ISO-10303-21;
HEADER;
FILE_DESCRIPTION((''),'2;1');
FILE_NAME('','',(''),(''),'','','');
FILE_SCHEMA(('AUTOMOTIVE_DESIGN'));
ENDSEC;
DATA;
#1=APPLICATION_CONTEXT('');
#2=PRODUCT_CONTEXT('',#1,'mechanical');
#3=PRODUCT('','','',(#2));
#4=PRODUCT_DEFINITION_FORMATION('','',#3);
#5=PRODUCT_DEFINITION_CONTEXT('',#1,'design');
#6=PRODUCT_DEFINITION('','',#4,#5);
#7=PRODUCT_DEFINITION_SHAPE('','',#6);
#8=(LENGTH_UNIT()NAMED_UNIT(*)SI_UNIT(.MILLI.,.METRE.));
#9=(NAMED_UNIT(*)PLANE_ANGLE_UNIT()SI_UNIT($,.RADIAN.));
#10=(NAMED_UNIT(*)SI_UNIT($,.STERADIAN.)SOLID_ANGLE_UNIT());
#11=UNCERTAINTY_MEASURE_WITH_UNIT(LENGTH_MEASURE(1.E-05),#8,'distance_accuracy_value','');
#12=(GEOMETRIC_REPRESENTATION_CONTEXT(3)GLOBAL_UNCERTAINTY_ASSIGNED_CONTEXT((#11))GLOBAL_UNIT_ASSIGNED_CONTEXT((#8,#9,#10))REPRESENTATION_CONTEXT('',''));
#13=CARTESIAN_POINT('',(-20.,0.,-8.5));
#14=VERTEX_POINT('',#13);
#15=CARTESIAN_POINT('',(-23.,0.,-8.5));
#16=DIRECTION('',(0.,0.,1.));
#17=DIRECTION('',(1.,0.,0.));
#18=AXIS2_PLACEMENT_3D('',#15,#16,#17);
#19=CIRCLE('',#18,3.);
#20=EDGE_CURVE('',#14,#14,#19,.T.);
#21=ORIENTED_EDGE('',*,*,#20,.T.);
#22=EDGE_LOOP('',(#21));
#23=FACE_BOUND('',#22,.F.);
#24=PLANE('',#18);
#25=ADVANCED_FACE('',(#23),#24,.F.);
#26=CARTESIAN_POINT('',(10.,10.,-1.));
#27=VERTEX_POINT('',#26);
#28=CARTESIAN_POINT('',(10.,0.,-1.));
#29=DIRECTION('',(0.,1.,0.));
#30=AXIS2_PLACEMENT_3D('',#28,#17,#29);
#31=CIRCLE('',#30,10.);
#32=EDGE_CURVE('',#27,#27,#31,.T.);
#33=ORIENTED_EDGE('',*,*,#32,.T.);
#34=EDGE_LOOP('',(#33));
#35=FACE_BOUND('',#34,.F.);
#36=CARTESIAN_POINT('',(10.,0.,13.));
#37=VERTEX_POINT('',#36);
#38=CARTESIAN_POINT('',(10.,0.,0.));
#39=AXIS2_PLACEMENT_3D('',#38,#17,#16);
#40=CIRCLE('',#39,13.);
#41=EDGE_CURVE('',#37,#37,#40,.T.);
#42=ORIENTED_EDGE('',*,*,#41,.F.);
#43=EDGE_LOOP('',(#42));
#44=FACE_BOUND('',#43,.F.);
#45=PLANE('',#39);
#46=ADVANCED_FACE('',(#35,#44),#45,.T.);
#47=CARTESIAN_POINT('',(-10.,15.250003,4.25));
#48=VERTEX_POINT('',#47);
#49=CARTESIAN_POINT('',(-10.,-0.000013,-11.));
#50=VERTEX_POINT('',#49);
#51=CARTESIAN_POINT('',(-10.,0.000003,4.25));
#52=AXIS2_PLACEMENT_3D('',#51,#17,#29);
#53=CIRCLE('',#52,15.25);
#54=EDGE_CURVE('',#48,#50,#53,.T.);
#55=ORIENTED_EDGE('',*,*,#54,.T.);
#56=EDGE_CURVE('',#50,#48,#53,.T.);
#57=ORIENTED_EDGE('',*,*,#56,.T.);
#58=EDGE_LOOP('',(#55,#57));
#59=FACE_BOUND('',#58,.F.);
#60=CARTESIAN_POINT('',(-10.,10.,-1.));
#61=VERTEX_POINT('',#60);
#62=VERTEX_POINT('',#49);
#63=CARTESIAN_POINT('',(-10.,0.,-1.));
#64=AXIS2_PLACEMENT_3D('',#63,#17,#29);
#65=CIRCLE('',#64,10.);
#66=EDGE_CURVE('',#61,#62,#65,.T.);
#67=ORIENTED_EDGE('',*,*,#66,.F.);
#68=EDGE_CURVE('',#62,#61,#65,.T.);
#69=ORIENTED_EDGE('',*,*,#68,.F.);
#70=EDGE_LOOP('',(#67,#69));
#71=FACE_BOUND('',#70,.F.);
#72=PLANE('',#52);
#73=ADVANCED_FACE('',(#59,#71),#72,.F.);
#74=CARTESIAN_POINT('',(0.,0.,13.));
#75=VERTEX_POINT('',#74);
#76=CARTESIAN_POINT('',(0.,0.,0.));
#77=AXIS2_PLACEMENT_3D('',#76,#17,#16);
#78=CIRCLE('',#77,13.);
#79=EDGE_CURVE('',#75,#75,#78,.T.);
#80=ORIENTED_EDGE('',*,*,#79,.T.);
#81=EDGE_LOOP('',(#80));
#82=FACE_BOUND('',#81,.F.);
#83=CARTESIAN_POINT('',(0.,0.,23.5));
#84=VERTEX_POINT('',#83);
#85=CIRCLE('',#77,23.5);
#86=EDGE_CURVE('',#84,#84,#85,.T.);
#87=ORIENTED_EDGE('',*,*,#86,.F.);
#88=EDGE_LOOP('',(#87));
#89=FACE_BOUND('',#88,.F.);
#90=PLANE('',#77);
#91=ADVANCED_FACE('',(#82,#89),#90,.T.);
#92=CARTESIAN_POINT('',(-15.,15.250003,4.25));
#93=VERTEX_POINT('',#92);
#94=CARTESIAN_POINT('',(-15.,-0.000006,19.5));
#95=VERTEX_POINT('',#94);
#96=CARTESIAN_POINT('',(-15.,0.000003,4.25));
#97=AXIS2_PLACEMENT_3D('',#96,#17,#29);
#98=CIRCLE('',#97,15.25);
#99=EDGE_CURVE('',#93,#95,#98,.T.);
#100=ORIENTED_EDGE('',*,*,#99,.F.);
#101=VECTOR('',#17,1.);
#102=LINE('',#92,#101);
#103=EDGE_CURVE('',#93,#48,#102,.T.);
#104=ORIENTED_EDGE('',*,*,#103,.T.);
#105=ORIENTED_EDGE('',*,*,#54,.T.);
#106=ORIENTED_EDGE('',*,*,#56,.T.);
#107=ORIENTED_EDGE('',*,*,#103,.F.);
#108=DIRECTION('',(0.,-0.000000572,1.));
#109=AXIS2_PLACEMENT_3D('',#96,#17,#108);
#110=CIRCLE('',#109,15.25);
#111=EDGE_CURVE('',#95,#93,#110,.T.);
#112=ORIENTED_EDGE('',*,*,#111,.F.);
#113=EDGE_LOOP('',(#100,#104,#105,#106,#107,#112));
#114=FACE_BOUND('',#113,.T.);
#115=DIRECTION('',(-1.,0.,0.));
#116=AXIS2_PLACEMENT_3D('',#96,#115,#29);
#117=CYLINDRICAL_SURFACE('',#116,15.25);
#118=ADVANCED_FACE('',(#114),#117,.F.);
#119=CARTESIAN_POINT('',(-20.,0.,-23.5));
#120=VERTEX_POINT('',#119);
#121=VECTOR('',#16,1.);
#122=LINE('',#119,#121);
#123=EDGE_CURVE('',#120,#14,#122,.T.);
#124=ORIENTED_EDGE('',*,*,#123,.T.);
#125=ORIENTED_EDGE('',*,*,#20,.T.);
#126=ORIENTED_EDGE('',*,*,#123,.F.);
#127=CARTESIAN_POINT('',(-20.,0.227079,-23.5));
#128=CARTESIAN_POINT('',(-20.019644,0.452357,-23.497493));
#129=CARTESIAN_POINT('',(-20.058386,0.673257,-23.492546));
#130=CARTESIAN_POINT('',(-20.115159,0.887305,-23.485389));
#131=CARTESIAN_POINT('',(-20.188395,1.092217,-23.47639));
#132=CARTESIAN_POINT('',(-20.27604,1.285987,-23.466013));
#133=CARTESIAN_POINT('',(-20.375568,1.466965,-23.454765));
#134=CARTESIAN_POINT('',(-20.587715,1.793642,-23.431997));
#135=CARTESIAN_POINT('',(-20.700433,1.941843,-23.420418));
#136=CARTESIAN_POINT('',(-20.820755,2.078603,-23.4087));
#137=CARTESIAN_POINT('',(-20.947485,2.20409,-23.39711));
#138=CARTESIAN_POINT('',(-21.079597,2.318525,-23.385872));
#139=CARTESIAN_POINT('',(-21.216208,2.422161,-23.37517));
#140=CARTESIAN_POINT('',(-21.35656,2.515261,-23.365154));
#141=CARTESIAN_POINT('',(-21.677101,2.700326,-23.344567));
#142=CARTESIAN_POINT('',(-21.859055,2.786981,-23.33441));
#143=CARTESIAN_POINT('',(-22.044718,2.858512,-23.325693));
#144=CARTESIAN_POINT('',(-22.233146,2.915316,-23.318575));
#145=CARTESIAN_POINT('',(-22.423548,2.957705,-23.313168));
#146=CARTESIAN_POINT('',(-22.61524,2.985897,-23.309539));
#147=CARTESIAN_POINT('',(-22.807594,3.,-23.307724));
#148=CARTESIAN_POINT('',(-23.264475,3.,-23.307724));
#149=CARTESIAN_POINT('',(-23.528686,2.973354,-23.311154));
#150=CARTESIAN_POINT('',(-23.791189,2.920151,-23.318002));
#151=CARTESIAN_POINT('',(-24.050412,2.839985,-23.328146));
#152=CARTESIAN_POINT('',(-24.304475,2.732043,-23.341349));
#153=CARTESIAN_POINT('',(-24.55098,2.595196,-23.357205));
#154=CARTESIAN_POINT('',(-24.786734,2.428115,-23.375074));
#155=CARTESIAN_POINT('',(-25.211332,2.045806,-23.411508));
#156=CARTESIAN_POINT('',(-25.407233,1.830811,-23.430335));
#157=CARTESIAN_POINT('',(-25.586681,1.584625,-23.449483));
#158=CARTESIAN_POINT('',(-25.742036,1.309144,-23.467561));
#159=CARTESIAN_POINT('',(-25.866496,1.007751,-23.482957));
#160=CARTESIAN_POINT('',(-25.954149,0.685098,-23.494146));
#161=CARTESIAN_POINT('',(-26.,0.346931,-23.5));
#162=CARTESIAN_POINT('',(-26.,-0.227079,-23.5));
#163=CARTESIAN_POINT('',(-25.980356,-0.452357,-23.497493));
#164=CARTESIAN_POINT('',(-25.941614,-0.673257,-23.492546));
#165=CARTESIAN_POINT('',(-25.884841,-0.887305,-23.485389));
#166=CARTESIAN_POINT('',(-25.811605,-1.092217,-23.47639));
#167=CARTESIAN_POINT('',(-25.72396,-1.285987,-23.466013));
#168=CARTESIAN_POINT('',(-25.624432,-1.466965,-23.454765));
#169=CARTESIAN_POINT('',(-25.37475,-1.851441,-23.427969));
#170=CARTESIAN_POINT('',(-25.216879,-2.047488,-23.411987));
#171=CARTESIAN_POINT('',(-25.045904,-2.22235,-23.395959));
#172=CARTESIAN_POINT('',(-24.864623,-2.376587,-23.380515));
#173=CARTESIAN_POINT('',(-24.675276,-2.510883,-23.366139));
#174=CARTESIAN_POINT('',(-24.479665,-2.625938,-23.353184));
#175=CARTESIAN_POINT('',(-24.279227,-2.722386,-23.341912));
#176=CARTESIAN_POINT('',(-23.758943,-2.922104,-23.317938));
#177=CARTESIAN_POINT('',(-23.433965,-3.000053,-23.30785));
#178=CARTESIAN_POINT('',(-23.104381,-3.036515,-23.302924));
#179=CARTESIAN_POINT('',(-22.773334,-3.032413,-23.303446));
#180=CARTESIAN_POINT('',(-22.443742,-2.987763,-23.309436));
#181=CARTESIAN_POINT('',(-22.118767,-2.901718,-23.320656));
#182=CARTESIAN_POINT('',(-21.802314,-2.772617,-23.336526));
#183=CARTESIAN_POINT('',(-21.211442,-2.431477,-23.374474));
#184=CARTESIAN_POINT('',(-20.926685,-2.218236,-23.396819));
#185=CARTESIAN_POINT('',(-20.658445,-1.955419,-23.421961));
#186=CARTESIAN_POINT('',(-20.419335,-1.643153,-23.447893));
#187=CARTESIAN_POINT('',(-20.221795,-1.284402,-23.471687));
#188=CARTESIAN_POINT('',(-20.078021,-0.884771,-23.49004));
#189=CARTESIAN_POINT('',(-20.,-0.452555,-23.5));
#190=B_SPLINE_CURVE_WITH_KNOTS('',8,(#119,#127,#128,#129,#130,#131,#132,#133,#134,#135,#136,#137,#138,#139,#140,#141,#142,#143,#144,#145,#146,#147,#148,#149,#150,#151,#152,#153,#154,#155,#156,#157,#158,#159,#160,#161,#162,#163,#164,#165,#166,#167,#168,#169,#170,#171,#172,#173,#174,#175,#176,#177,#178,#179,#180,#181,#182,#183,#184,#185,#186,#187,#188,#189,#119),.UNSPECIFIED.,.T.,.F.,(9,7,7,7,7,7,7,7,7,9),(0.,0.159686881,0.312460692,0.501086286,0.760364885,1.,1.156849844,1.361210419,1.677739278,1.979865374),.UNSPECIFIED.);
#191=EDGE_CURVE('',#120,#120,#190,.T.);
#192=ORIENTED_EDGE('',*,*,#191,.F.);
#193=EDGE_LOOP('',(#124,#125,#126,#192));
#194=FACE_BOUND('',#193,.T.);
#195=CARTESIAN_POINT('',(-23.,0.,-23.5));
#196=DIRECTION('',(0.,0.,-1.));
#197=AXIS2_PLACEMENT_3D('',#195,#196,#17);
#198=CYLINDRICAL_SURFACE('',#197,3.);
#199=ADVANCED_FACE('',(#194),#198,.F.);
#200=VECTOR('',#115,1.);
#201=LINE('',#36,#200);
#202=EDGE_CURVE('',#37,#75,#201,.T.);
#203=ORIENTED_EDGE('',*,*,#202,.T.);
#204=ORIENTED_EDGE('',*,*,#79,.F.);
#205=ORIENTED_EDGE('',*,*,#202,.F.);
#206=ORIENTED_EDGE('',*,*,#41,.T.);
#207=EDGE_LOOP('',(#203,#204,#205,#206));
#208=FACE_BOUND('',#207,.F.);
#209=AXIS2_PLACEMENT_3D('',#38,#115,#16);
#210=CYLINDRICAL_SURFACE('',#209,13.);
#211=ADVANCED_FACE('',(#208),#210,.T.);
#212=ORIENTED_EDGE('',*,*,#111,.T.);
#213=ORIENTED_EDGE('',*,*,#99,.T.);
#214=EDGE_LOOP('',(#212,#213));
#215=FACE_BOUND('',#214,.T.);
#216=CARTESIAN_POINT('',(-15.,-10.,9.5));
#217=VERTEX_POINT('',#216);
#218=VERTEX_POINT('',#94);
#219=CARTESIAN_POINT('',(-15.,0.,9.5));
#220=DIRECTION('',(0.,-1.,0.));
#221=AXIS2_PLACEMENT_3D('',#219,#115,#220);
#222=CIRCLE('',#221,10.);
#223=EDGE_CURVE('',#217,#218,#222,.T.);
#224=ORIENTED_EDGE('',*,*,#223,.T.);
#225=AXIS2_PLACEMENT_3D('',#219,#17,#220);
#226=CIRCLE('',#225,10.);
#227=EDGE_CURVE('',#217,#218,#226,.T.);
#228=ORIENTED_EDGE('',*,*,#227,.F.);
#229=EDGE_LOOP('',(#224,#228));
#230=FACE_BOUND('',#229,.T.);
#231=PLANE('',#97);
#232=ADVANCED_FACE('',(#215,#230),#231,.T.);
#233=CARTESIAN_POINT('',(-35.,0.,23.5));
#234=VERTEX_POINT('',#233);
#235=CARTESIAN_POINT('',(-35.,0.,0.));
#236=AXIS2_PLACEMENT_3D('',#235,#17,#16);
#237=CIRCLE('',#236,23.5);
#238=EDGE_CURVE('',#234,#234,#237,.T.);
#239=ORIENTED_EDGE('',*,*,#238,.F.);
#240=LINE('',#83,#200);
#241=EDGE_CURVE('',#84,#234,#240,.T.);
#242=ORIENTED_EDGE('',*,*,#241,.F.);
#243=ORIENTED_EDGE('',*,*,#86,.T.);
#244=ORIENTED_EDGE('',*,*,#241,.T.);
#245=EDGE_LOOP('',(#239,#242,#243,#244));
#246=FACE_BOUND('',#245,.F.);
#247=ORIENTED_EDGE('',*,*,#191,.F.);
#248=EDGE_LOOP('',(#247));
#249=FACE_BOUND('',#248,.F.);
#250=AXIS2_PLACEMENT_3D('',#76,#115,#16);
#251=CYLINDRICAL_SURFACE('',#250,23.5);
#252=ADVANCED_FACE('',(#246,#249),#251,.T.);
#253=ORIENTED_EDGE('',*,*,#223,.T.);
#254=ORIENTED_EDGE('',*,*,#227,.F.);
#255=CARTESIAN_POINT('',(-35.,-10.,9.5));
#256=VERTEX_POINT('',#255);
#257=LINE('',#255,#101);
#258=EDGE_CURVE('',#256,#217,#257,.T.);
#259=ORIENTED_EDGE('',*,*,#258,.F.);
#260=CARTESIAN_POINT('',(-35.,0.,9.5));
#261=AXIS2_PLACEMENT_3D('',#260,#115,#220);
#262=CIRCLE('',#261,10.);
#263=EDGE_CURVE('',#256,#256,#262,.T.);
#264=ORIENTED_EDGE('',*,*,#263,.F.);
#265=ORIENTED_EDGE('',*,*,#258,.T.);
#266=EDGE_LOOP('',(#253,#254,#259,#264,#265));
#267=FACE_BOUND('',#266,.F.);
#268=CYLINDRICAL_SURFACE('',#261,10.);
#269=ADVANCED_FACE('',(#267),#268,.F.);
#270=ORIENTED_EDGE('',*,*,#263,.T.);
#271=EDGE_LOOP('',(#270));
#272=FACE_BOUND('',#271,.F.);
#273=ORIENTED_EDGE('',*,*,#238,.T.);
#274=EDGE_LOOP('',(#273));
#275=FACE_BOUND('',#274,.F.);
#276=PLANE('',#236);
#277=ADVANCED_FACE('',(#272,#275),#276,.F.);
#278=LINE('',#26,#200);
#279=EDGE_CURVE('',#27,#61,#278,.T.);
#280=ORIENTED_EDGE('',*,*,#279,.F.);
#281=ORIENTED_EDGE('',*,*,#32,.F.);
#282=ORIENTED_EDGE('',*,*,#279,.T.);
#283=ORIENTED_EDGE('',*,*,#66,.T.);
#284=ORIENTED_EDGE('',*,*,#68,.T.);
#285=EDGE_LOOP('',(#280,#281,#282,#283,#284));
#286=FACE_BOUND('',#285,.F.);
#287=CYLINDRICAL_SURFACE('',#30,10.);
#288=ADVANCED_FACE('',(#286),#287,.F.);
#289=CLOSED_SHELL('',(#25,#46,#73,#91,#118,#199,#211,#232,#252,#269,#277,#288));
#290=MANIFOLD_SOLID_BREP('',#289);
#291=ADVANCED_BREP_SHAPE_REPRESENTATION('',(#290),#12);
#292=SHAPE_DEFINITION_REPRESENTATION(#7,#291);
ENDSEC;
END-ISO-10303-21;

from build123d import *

# Parameters (mm, degrees)
F2_R      = 10
F3_DEPTH  = 25
F4_R      = 10
F5_DEPTH  = 20
F6_R      = 15.25
F7_DEPTH  = 5
F9_R      = 3
F10_DEPTH = 15


with BuildPart() as f1:
    # F0 (on Front) → F1 (revolve)
    with BuildSketch(Plane.XZ):
        Polygon((-35, 23.5), (-35, 0), (10, 0), (10, 13), (0, 13), (0, 23.5), align=None)
    revolve(axis=Axis((-3.193799, 0, 0), (1, 0, 0)))

    # F2 (on face) → F3 (cut)
    with BuildSketch(Plane.YZ.offset(10)):
        with Locations((0, -1)):
            Circle(F2_R)
    extrude(amount=-F3_DEPTH, mode=Mode.SUBTRACT)

    # F4 (on face) → F5 (cut)
    with BuildSketch(Plane(origin=(-35, 0, 0), x_dir=(0, -1, 0), z_dir=(-1, 0, 0))):
        with Locations((0, 9.5)):
            Circle(F4_R)
    extrude(amount=-F5_DEPTH, mode=Mode.SUBTRACT)

    # F6 (on face) → F7 (cut)
    with BuildSketch(Plane.YZ.offset(-15)):
        with Locations((3e-06, 4.25)):
            Circle(F6_R)
    extrude(amount=F7_DEPTH, mode=Mode.SUBTRACT)

    # F9 (on offset) → F10 (cut)
    with BuildSketch(Plane.XY.offset(-23.5)):
        with Locations((-23, 0)):
            Circle(F9_R)
    extrude(amount=F10_DEPTH, mode=Mode.SUBTRACT)


solid = f1.part
